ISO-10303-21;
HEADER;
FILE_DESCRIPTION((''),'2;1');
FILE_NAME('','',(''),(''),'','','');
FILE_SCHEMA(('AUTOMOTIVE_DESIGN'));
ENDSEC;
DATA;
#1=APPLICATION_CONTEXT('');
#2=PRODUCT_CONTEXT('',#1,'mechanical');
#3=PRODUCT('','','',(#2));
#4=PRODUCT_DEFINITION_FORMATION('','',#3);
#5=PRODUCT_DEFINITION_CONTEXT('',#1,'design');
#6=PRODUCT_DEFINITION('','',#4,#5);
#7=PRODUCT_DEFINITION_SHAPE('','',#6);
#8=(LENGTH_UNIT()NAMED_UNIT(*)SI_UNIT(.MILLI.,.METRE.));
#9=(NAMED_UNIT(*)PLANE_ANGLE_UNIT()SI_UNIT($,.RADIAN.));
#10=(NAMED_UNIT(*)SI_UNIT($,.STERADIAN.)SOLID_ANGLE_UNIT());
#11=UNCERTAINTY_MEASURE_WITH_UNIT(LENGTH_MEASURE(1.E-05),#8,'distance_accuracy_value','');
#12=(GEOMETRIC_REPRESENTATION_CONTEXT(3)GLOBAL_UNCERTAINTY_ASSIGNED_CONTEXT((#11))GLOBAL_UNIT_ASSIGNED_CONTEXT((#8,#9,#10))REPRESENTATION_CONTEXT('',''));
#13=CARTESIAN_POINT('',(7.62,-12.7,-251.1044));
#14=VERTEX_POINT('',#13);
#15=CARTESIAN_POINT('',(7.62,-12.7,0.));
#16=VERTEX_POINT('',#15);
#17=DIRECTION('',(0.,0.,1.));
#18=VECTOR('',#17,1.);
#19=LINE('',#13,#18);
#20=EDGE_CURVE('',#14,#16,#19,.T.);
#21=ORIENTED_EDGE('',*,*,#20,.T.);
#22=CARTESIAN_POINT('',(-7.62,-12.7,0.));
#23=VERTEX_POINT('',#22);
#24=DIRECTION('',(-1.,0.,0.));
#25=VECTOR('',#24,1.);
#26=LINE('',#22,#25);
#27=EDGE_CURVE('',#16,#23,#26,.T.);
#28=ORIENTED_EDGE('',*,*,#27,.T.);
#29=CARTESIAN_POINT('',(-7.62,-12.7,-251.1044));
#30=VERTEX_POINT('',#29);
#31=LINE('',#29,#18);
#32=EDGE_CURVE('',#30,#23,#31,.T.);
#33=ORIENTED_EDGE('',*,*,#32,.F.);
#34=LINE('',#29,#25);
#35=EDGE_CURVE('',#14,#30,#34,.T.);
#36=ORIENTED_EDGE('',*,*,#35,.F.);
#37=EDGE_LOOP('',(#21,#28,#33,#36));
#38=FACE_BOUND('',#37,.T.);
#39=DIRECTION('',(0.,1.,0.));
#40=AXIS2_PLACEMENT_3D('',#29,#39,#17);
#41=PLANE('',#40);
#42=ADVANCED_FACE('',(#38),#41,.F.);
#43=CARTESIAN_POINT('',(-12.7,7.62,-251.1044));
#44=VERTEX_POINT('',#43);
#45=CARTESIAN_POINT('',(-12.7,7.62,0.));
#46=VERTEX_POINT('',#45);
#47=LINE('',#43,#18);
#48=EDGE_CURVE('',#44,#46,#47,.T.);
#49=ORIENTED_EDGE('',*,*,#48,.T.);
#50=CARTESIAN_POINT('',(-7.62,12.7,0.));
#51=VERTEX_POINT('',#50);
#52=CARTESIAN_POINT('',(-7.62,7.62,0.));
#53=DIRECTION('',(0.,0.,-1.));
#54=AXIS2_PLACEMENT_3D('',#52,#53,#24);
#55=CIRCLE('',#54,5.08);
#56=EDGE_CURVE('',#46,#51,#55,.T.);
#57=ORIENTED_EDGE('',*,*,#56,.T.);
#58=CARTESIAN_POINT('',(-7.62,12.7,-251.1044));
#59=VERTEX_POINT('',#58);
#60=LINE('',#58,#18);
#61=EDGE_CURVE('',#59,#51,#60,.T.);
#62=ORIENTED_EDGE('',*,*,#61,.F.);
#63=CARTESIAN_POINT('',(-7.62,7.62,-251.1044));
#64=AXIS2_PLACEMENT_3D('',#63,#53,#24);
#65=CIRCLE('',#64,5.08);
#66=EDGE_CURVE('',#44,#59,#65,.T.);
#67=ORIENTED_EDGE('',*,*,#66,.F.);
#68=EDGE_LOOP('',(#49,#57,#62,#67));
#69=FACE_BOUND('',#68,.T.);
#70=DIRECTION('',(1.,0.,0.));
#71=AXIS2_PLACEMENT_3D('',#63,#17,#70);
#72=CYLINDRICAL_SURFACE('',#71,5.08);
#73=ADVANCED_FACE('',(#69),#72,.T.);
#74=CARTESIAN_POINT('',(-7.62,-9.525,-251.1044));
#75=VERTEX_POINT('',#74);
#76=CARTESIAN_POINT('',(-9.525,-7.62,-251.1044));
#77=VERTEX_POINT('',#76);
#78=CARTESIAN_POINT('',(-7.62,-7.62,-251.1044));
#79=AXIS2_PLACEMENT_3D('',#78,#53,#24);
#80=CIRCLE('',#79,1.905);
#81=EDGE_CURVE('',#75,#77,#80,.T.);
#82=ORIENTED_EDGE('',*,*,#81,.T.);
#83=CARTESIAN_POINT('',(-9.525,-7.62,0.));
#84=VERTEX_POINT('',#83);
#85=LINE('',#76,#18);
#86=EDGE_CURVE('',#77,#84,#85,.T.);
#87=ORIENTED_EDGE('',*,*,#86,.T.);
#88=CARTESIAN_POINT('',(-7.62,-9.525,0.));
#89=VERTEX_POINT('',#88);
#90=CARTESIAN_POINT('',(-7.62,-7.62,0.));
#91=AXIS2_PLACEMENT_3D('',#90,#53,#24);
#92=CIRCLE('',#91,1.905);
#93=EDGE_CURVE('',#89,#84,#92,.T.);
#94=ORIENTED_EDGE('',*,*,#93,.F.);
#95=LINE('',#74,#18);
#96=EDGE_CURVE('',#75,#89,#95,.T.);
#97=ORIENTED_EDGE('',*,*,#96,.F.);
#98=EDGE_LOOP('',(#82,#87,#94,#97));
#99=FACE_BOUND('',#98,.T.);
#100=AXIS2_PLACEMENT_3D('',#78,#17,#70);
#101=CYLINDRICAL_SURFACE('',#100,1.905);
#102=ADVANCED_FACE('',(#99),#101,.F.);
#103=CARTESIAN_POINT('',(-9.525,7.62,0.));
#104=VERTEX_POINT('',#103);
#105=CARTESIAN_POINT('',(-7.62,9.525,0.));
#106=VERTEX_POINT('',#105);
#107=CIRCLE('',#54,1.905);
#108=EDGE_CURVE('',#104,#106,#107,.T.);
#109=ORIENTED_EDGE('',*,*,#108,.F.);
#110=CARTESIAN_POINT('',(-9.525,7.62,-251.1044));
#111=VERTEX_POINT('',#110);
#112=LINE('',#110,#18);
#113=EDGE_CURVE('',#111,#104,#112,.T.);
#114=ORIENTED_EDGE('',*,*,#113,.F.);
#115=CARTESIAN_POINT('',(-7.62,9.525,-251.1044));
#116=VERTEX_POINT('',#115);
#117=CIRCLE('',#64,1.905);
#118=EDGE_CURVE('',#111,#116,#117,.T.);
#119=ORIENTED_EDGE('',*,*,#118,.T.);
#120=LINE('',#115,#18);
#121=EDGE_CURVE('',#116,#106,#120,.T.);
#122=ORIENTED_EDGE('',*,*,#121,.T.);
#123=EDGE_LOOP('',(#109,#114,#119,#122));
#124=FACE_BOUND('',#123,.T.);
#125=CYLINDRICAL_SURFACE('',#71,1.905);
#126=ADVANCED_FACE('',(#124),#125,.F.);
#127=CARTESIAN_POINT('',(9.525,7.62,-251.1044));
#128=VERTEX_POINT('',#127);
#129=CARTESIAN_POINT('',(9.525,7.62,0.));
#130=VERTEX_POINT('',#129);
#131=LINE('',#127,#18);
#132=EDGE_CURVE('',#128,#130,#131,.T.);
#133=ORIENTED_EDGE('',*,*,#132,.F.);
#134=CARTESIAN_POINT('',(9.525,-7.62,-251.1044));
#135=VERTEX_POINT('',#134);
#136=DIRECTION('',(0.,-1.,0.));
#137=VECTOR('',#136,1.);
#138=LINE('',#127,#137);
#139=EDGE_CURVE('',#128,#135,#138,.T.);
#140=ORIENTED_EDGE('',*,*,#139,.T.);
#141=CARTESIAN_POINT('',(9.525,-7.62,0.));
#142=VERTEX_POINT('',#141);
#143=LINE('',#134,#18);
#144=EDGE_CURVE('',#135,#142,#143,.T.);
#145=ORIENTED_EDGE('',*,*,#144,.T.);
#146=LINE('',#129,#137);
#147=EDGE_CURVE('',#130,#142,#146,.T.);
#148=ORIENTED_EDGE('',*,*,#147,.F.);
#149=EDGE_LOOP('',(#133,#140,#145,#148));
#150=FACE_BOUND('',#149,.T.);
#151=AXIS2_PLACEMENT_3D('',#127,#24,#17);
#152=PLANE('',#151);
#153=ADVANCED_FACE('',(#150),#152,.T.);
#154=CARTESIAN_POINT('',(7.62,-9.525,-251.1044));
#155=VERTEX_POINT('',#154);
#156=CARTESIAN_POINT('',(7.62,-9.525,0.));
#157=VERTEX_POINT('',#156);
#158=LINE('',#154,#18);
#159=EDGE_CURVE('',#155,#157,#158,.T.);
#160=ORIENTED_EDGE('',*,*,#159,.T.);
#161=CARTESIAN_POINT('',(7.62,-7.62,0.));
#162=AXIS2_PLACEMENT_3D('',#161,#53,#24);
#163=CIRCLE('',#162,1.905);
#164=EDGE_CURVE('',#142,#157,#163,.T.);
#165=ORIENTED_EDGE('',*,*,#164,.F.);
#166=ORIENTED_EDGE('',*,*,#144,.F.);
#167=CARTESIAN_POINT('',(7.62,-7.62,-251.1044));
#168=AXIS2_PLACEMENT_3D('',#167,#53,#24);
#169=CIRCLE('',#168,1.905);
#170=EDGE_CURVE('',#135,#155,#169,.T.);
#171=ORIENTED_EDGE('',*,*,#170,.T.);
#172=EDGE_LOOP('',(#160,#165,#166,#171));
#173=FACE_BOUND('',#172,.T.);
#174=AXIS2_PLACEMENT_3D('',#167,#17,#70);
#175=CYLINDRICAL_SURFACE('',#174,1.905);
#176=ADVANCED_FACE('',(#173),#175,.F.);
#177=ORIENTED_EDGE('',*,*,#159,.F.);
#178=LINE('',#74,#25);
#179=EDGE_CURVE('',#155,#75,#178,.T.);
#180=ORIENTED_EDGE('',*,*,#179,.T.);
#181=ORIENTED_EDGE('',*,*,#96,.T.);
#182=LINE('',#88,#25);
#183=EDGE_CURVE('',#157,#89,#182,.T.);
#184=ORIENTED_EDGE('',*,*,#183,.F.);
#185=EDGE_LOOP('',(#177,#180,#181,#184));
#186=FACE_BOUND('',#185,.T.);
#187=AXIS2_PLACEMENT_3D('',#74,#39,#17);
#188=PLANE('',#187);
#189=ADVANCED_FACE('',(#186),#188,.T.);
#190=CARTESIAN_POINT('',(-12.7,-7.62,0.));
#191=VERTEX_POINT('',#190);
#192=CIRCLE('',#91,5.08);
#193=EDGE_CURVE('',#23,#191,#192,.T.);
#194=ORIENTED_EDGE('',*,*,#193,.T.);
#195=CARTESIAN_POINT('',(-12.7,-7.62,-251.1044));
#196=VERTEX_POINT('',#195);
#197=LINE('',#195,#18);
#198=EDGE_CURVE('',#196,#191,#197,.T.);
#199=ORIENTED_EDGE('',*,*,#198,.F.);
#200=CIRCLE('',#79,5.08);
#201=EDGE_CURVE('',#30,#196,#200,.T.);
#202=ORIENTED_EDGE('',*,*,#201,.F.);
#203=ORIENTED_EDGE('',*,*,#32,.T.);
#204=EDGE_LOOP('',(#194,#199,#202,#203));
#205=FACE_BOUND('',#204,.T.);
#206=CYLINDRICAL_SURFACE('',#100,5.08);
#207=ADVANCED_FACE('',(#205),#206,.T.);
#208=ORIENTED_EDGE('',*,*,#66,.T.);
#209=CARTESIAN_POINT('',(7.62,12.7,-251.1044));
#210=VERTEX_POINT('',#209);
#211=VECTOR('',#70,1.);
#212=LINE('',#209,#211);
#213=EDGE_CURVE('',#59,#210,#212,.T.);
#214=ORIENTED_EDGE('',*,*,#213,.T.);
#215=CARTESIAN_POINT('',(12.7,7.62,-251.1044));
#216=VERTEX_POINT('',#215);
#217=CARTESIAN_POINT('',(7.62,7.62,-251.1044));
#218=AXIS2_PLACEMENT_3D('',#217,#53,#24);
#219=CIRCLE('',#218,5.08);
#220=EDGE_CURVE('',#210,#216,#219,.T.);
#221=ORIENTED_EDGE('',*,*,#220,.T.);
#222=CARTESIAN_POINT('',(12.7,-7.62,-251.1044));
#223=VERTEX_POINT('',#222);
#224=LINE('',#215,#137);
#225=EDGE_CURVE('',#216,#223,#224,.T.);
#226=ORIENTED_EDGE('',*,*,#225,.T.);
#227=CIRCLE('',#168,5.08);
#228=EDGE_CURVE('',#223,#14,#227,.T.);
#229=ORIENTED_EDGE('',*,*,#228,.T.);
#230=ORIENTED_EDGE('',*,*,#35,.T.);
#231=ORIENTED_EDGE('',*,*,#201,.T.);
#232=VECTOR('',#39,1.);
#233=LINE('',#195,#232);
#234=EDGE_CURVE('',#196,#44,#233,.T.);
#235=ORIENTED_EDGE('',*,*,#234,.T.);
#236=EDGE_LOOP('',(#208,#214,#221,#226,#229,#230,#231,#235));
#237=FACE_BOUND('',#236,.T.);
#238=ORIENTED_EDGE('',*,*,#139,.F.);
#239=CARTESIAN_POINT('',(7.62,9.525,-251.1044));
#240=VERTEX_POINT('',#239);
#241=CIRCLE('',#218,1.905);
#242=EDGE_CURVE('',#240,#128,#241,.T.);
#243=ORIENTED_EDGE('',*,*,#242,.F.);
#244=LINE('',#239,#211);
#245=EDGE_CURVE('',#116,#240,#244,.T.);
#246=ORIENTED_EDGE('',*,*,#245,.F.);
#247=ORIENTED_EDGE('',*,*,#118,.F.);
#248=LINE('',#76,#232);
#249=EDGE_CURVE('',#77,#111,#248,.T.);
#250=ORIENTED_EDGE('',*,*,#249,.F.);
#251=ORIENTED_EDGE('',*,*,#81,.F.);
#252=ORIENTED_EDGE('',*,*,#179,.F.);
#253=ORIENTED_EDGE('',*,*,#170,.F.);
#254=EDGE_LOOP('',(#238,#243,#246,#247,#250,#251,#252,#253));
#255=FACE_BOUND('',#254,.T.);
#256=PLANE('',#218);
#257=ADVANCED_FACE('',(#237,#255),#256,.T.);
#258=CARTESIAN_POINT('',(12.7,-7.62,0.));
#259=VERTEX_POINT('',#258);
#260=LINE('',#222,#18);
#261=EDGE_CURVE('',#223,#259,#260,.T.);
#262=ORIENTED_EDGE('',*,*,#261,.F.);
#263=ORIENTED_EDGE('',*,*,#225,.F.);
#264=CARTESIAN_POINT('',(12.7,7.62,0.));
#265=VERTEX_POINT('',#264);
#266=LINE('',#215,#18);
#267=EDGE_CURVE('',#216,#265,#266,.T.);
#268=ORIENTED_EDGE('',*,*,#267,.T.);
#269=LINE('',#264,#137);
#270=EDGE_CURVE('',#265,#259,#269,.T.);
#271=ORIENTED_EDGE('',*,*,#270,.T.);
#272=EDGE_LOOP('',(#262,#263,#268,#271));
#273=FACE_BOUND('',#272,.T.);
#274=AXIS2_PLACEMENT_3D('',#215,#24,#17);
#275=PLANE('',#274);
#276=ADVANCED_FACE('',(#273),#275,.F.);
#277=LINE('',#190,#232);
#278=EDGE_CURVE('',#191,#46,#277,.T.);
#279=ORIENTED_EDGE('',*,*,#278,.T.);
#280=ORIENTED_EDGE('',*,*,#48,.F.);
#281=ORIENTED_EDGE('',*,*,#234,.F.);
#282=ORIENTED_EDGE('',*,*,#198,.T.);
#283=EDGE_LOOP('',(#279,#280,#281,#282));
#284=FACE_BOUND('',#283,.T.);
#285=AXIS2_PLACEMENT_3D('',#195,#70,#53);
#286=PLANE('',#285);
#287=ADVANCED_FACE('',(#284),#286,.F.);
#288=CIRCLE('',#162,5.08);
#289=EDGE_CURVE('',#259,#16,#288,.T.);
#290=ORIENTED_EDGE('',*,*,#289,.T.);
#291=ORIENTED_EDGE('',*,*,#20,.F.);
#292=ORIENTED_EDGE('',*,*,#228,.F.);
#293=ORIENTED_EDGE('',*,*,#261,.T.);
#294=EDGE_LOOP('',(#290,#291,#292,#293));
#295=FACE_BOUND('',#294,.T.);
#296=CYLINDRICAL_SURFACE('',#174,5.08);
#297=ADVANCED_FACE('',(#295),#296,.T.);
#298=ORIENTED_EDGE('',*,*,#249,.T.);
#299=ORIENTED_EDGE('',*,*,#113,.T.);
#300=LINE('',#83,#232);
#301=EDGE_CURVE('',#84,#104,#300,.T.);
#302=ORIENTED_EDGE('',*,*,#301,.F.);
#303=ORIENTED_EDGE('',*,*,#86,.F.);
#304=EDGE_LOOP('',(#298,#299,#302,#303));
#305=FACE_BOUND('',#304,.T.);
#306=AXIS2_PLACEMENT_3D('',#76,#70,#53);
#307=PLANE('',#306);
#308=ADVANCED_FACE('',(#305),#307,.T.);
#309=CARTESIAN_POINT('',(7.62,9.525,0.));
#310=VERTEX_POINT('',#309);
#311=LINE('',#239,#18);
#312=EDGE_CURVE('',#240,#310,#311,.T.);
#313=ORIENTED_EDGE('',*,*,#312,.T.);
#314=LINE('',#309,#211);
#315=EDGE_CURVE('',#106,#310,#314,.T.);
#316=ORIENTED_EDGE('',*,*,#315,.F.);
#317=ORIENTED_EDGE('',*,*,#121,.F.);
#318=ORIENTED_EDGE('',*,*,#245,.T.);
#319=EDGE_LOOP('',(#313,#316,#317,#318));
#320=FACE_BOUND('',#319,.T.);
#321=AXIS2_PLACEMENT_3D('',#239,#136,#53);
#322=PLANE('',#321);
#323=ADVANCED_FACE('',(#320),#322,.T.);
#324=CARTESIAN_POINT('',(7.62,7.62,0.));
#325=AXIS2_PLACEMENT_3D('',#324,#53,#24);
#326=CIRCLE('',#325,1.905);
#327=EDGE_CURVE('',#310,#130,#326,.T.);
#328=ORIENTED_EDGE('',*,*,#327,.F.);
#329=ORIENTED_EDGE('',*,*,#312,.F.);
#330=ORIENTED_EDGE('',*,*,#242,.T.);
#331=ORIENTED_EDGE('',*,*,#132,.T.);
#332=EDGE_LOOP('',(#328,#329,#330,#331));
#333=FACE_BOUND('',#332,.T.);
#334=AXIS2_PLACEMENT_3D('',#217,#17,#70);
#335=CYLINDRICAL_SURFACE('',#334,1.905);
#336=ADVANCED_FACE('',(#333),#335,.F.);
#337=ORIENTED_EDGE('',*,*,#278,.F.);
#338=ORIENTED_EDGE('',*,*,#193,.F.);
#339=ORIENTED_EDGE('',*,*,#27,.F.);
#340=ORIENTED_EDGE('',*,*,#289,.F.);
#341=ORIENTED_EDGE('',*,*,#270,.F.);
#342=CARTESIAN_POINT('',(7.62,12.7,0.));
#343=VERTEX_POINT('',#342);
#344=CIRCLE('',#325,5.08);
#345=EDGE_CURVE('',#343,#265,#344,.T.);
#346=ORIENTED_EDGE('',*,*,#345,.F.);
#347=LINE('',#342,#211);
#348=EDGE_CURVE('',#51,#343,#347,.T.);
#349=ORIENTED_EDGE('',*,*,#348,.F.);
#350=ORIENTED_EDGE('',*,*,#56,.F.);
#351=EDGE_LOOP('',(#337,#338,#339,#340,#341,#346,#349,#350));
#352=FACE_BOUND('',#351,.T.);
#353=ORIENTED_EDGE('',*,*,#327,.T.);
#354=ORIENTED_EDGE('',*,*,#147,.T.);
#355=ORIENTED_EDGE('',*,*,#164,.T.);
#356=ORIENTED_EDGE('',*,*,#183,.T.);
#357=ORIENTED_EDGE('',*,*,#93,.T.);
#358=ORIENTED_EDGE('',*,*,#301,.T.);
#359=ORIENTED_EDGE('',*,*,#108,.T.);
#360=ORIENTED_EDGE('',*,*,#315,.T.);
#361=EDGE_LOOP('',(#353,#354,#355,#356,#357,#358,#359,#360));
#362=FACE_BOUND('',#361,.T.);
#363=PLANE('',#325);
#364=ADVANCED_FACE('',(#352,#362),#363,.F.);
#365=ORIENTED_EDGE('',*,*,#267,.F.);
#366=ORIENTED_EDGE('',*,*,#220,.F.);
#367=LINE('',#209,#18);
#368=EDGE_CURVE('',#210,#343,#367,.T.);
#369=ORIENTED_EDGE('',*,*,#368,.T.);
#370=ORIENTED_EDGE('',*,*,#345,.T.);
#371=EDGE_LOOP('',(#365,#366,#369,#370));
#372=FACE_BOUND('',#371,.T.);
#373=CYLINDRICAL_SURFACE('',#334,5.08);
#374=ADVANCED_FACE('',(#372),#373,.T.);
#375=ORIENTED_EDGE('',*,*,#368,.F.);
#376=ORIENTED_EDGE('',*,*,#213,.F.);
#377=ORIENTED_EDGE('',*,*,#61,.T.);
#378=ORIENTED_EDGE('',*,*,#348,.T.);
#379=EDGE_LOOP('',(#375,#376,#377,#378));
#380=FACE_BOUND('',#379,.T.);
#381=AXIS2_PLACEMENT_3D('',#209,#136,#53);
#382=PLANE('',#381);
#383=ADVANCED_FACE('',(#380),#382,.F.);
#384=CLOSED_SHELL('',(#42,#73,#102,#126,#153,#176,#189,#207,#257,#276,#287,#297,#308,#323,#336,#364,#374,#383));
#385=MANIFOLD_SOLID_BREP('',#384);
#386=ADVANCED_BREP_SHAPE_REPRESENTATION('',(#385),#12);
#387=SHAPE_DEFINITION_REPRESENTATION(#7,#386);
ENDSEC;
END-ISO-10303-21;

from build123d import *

# Parameters (mm, degrees)
SQUARE_TUBING_1_X_1_X_0_125_1_DEPTH = 251.1044


with BuildPart() as part:
    # Sketch11 → Square tubing 1 X 1 X 0.125(1) (new body)
    with BuildSketch(Plane.YX):
        with BuildLine():
            Line((-7.62, -12.7), (7.62, -12.7))
            ThreePointArc((7.62, -12.7), (11.212102448, -11.212102448), (12.7, -7.62))
            Line((12.7, -7.62), (12.7, 7.62))
            ThreePointArc((12.7, 7.62), (11.212102448, 11.212102448), (7.62, 12.7))
            Line((7.62, 12.7), (-7.62, 12.7))
            ThreePointArc((-7.62, 12.7), (-11.212102448, 11.212102448), (-12.7, 7.62))
            Line((-12.7, 7.62), (-12.7, -7.62))
            ThreePointArc((-12.7, -7.62), (-11.212102448, -11.212102448), (-7.62, -12.7))
        make_face()
        with BuildLine():
            Line((-7.62, -9.525), (7.62, -9.525))
            ThreePointArc((7.62, -9.525), (8.967038418, -8.967038418), (9.525, -7.62))
            Line((9.525, -7.62), (9.525, 7.62))
            ThreePointArc((9.525, 7.62), (8.967038418, 8.967038418), (7.62, 9.525))
            Line((7.62, 9.525), (-7.62, 9.525))
            ThreePointArc((-7.62, 9.525), (-8.967038418, 8.967038418), (-9.525, 7.62))
            Line((-9.525, 7.62), (-9.525, -7.62))
            ThreePointArc((-9.525, -7.62), (-8.967038418, -8.967038418), (-7.62, -9.525))
        make_face(mode=Mode.SUBTRACT)
    extrude(amount=SQUARE_TUBING_1_X_1_X_0_125_1_DEPTH)


solid = part.part
